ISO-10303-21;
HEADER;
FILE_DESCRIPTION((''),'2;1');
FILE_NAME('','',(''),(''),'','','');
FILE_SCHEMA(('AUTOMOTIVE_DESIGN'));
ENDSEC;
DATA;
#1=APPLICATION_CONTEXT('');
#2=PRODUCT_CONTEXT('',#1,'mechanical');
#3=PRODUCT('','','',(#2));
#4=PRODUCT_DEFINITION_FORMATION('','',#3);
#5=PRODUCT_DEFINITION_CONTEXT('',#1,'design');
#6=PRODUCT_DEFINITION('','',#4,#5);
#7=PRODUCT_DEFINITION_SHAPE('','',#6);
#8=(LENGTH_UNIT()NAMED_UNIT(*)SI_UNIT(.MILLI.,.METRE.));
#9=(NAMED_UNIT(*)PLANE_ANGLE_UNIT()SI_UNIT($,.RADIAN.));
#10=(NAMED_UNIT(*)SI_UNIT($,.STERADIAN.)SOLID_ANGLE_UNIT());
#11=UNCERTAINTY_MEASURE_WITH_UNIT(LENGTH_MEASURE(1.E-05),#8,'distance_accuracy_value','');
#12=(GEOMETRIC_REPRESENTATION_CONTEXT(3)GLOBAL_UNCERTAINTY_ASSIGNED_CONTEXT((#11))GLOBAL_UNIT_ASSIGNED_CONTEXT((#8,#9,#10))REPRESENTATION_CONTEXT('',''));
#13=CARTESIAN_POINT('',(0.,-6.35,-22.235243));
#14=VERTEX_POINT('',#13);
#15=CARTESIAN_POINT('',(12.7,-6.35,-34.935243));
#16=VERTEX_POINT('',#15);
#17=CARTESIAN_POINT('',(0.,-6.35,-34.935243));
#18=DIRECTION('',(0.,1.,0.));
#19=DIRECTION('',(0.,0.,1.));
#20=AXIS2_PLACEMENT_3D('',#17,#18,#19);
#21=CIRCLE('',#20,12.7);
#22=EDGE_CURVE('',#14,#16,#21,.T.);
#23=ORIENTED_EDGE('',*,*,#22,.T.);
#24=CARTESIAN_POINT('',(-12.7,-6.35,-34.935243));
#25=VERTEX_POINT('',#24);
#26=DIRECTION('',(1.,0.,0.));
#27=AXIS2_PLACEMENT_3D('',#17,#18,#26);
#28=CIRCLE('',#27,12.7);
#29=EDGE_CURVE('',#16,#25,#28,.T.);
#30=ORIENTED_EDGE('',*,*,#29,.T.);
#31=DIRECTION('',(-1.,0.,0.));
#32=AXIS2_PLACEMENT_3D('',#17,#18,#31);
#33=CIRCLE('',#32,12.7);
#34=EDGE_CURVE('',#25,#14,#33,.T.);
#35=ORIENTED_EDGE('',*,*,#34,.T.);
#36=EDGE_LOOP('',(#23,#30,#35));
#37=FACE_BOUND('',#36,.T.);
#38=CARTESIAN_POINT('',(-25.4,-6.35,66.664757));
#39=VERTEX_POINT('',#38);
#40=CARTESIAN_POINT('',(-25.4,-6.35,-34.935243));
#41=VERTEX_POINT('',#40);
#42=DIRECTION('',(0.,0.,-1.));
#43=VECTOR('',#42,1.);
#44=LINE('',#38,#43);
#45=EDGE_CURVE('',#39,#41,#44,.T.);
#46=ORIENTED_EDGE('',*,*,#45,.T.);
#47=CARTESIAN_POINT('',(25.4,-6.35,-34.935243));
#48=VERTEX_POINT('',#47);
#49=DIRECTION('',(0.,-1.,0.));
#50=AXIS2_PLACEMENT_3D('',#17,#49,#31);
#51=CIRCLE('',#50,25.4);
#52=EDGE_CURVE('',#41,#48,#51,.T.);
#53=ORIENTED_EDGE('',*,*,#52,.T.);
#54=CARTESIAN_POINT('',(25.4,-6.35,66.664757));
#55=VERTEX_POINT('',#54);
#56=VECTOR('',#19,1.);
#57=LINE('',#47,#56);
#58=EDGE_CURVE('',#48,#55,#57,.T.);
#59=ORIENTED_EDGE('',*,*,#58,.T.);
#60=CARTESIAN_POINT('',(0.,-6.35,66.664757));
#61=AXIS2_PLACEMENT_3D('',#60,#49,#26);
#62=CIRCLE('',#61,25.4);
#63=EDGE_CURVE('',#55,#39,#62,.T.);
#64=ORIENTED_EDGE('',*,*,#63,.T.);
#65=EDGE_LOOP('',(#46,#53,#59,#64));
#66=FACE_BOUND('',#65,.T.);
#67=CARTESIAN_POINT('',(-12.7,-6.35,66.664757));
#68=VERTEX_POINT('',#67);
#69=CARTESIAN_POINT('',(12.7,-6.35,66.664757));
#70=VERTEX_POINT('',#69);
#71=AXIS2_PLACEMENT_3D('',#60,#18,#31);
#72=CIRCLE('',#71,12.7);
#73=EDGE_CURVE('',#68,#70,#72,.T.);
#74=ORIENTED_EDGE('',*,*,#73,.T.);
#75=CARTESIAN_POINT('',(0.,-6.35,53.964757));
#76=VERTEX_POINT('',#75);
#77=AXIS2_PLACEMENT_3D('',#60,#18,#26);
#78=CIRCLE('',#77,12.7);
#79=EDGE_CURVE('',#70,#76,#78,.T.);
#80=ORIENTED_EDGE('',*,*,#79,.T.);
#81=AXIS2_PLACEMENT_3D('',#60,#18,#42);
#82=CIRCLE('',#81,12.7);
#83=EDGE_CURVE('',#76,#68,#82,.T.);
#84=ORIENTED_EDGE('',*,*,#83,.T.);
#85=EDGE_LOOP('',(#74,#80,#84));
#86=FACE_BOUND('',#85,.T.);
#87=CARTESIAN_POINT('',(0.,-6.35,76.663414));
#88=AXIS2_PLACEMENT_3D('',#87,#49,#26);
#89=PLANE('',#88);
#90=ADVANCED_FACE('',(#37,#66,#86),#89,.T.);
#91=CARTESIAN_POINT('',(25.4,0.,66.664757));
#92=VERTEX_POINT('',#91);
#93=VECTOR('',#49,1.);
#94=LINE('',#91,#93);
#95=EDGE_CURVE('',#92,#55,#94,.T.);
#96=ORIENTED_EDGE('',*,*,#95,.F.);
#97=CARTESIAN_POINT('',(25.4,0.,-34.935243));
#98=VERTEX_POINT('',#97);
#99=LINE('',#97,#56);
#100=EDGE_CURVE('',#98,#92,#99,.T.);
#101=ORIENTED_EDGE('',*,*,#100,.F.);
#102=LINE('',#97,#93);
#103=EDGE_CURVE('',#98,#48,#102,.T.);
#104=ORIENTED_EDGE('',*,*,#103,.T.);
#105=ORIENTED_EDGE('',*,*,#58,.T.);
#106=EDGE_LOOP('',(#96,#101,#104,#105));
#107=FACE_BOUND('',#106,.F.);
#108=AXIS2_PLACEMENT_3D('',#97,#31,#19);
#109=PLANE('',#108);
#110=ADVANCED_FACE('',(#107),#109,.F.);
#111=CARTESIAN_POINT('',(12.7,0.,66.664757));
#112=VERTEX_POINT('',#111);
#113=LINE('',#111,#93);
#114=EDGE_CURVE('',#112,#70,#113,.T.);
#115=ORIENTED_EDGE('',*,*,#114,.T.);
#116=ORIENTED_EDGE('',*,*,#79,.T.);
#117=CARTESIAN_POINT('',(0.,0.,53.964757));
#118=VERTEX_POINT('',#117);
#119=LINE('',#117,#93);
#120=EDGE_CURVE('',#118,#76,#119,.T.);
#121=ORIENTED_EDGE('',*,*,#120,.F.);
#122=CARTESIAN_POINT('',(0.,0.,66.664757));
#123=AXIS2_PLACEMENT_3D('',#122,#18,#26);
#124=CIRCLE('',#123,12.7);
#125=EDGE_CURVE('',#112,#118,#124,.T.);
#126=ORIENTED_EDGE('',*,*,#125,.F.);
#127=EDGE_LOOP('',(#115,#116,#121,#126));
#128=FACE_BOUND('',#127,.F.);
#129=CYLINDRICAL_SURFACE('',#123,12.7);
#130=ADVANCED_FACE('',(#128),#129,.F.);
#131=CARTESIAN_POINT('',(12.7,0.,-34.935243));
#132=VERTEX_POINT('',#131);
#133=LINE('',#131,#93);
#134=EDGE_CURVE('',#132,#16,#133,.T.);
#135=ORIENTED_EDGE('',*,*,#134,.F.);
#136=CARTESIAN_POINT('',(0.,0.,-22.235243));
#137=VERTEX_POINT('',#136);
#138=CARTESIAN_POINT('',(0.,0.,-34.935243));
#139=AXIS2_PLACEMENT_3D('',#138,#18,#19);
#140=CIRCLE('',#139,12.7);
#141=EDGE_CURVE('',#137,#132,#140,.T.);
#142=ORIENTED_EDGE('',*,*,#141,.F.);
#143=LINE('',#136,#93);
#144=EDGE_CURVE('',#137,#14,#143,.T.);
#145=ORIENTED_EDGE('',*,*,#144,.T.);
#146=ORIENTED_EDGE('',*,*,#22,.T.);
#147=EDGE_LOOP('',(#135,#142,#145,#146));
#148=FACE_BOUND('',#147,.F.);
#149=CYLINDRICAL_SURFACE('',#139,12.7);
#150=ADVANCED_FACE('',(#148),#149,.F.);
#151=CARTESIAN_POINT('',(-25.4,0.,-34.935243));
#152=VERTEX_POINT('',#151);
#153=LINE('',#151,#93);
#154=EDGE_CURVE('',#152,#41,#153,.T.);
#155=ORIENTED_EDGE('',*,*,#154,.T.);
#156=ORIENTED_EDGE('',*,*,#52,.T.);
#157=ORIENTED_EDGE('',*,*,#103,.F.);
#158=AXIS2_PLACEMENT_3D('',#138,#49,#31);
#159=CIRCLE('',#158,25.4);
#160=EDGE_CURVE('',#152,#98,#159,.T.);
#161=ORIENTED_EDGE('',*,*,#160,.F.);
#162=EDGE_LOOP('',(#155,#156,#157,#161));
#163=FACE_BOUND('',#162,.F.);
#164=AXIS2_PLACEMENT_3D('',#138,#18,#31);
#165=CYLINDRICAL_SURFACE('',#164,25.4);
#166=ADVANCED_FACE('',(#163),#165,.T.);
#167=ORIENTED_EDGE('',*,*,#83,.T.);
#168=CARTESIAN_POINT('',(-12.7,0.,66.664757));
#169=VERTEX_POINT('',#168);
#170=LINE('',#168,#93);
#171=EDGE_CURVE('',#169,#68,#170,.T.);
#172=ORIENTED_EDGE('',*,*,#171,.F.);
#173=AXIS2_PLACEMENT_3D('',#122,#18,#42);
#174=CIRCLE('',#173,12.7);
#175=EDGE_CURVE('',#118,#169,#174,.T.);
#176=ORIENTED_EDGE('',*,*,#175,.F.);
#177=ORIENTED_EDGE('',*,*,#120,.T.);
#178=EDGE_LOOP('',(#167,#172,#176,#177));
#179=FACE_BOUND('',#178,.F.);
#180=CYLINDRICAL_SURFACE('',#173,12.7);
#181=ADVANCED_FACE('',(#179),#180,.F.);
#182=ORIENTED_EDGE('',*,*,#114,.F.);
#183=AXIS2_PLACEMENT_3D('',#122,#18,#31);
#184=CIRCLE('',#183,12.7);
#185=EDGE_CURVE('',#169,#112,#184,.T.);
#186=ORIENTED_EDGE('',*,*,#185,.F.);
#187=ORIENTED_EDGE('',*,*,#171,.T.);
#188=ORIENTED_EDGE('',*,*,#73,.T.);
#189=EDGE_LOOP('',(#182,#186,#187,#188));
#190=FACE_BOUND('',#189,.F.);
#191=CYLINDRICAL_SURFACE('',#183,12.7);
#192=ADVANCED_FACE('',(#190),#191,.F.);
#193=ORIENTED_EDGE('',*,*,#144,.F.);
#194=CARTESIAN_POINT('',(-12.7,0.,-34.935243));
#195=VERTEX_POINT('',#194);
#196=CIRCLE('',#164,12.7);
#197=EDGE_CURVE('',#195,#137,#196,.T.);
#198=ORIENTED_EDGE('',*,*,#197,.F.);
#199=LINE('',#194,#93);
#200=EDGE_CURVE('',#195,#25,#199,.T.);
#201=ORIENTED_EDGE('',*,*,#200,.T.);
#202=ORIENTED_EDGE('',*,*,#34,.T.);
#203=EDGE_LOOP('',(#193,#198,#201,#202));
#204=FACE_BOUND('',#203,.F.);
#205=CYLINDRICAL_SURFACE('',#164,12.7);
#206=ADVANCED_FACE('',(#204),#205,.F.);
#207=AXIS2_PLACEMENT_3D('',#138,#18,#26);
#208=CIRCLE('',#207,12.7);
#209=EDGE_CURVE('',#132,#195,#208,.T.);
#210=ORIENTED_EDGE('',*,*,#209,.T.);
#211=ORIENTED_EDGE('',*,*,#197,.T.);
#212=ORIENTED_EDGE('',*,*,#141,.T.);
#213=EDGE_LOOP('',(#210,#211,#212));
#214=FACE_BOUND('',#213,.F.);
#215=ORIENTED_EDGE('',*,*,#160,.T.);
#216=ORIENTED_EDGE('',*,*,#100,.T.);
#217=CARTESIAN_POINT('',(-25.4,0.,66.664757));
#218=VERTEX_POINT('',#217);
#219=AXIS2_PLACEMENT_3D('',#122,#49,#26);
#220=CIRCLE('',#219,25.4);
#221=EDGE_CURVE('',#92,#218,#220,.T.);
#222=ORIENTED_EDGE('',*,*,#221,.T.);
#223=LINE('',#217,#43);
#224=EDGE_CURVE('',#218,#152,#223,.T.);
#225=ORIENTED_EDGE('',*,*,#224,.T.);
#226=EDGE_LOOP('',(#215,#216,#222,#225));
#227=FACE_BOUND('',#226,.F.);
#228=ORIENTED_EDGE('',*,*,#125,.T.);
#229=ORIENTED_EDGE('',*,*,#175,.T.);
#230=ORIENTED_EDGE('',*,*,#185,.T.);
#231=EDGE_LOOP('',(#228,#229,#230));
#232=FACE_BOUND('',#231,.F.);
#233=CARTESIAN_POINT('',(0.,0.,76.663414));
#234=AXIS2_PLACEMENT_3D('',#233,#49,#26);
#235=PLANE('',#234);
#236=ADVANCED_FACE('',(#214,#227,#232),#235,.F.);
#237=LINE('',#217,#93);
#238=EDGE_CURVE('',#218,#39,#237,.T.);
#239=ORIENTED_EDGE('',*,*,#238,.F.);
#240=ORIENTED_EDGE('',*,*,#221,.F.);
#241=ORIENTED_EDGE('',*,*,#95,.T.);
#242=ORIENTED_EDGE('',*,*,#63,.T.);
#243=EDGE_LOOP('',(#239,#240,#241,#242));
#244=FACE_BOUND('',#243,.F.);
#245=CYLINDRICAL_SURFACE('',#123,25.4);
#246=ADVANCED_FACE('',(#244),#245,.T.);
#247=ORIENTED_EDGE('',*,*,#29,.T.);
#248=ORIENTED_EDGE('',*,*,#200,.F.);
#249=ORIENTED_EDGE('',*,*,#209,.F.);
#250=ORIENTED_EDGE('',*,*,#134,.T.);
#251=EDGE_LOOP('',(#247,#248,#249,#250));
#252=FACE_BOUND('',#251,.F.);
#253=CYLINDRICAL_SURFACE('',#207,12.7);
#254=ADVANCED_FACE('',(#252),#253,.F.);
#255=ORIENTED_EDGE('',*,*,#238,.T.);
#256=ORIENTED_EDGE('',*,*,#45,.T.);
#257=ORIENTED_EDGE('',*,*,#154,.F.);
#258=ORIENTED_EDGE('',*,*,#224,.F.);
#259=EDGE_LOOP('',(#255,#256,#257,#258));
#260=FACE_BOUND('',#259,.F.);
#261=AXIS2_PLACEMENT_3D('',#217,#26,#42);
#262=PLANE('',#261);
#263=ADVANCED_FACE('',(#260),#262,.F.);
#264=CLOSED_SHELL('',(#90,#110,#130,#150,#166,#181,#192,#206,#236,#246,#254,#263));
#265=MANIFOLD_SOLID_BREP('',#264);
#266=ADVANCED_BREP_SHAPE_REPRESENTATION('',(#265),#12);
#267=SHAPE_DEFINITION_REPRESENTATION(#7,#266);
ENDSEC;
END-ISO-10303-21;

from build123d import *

# Parameters (mm, degrees)
F1_DEPTH = 6.35


with BuildPart() as f1:
    # F0 (on Front) → F1 (new body)
    with BuildSketch(Plane.XZ):
        with BuildLine():
            Line((12.7, 66.6647565722), (25.4, 66.6647565722))
            ThreePointArc((25.4, 66.6647565722), (0, 92.0647565722), (-25.4, 66.6647565722))
            Line((-25.4, 66.6647565722), (-12.7, 66.6647565722))
            ThreePointArc((-12.7, 66.6647565722), (0, 79.3647565722), (12.7, 66.6647565722))
        make_face()
        with BuildLine():
            ThreePointArc((-25.4, 66.6647565722), (-17.9605122421, 48.7042443301), (0, 41.2647565722))
            Line((0, 41.2647565722), (0, 53.9647565722))
            ThreePointArc((0, 53.9647565722), (-8.9802561211, 57.6845004512), (-12.7, 66.6647565722))
            Line((-12.7, 66.6647565722), (-25.4, 66.6647565722))
        make_face()
        with BuildLine():
            ThreePointArc((0, 41.2647565722), (17.9605122421, 48.7042443301), (25.4, 66.6647565722))
            Line((25.4, 66.6647565722), (12.7, 66.6647565722))
            ThreePointArc((12.7, 66.6647565722), (8.9802561211, 57.6845004512), (0, 53.9647565722))
            Line((0, 53.9647565722), (0, 41.2647565722))
        make_face()
        with BuildLine():
            ThreePointArc((0, -9.5352434278), (17.9605122421, -16.9747311856), (25.4, -34.9352434278))
            Line((25.4, -34.9352434278), (25.4, 66.6647565722))
            ThreePointArc((25.4, 66.6647565722), (17.9605122421, 48.7042443301), (0, 41.2647565722))
            Line((0, 41.2647565722), (0, -9.5352434278))
        make_face()
        with BuildLine():
            ThreePointArc((-25.4, -34.9352434278), (-17.9605122421, -16.9747311856), (0, -9.5352434278))
            Line((0, -9.5352434278), (0, 41.2647565722))
            ThreePointArc((0, 41.2647565722), (-17.9605122421, 48.7042443301), (-25.4, 66.6647565722))
            Line((-25.4, 66.6647565722), (-25.4, -34.9352434278))
        make_face()
        with BuildLine():
            ThreePointArc((-12.7, -34.9352434278), (-8.9802561211, -25.9549873067), (0, -22.2352434278))
            Line((0, -22.2352434278), (0, -9.5352434278))
            ThreePointArc((0, -9.5352434278), (-17.9605122421, -16.9747311856), (-25.4, -34.9352434278))
            Line((-25.4, -34.9352434278), (-12.7, -34.9352434278))
        make_face()
        with BuildLine():
            ThreePointArc((0, -22.2352434278), (8.9802561211, -25.9549873067), (12.7, -34.9352434278))
            Line((12.7, -34.9352434278), (25.4, -34.9352434278))
            ThreePointArc((25.4, -34.9352434278), (17.9605122421, -16.9747311856), (0, -9.5352434278))
            Line((0, -9.5352434278), (0, -22.2352434278))
        make_face()
        with BuildLine():
            Line((25.4, -34.9352434278), (12.7, -34.9352434278))
            ThreePointArc((12.7, -34.9352434278), (0, -47.6352434278), (-12.7, -34.9352434278))
            Line((-12.7, -34.9352434278), (-25.4, -34.9352434278))
            ThreePointArc((-25.4, -34.9352434278), (0, -60.3352434278), (25.4, -34.9352434278))
        make_face()
    extrude(amount=F1_DEPTH)


solid = f1.part
